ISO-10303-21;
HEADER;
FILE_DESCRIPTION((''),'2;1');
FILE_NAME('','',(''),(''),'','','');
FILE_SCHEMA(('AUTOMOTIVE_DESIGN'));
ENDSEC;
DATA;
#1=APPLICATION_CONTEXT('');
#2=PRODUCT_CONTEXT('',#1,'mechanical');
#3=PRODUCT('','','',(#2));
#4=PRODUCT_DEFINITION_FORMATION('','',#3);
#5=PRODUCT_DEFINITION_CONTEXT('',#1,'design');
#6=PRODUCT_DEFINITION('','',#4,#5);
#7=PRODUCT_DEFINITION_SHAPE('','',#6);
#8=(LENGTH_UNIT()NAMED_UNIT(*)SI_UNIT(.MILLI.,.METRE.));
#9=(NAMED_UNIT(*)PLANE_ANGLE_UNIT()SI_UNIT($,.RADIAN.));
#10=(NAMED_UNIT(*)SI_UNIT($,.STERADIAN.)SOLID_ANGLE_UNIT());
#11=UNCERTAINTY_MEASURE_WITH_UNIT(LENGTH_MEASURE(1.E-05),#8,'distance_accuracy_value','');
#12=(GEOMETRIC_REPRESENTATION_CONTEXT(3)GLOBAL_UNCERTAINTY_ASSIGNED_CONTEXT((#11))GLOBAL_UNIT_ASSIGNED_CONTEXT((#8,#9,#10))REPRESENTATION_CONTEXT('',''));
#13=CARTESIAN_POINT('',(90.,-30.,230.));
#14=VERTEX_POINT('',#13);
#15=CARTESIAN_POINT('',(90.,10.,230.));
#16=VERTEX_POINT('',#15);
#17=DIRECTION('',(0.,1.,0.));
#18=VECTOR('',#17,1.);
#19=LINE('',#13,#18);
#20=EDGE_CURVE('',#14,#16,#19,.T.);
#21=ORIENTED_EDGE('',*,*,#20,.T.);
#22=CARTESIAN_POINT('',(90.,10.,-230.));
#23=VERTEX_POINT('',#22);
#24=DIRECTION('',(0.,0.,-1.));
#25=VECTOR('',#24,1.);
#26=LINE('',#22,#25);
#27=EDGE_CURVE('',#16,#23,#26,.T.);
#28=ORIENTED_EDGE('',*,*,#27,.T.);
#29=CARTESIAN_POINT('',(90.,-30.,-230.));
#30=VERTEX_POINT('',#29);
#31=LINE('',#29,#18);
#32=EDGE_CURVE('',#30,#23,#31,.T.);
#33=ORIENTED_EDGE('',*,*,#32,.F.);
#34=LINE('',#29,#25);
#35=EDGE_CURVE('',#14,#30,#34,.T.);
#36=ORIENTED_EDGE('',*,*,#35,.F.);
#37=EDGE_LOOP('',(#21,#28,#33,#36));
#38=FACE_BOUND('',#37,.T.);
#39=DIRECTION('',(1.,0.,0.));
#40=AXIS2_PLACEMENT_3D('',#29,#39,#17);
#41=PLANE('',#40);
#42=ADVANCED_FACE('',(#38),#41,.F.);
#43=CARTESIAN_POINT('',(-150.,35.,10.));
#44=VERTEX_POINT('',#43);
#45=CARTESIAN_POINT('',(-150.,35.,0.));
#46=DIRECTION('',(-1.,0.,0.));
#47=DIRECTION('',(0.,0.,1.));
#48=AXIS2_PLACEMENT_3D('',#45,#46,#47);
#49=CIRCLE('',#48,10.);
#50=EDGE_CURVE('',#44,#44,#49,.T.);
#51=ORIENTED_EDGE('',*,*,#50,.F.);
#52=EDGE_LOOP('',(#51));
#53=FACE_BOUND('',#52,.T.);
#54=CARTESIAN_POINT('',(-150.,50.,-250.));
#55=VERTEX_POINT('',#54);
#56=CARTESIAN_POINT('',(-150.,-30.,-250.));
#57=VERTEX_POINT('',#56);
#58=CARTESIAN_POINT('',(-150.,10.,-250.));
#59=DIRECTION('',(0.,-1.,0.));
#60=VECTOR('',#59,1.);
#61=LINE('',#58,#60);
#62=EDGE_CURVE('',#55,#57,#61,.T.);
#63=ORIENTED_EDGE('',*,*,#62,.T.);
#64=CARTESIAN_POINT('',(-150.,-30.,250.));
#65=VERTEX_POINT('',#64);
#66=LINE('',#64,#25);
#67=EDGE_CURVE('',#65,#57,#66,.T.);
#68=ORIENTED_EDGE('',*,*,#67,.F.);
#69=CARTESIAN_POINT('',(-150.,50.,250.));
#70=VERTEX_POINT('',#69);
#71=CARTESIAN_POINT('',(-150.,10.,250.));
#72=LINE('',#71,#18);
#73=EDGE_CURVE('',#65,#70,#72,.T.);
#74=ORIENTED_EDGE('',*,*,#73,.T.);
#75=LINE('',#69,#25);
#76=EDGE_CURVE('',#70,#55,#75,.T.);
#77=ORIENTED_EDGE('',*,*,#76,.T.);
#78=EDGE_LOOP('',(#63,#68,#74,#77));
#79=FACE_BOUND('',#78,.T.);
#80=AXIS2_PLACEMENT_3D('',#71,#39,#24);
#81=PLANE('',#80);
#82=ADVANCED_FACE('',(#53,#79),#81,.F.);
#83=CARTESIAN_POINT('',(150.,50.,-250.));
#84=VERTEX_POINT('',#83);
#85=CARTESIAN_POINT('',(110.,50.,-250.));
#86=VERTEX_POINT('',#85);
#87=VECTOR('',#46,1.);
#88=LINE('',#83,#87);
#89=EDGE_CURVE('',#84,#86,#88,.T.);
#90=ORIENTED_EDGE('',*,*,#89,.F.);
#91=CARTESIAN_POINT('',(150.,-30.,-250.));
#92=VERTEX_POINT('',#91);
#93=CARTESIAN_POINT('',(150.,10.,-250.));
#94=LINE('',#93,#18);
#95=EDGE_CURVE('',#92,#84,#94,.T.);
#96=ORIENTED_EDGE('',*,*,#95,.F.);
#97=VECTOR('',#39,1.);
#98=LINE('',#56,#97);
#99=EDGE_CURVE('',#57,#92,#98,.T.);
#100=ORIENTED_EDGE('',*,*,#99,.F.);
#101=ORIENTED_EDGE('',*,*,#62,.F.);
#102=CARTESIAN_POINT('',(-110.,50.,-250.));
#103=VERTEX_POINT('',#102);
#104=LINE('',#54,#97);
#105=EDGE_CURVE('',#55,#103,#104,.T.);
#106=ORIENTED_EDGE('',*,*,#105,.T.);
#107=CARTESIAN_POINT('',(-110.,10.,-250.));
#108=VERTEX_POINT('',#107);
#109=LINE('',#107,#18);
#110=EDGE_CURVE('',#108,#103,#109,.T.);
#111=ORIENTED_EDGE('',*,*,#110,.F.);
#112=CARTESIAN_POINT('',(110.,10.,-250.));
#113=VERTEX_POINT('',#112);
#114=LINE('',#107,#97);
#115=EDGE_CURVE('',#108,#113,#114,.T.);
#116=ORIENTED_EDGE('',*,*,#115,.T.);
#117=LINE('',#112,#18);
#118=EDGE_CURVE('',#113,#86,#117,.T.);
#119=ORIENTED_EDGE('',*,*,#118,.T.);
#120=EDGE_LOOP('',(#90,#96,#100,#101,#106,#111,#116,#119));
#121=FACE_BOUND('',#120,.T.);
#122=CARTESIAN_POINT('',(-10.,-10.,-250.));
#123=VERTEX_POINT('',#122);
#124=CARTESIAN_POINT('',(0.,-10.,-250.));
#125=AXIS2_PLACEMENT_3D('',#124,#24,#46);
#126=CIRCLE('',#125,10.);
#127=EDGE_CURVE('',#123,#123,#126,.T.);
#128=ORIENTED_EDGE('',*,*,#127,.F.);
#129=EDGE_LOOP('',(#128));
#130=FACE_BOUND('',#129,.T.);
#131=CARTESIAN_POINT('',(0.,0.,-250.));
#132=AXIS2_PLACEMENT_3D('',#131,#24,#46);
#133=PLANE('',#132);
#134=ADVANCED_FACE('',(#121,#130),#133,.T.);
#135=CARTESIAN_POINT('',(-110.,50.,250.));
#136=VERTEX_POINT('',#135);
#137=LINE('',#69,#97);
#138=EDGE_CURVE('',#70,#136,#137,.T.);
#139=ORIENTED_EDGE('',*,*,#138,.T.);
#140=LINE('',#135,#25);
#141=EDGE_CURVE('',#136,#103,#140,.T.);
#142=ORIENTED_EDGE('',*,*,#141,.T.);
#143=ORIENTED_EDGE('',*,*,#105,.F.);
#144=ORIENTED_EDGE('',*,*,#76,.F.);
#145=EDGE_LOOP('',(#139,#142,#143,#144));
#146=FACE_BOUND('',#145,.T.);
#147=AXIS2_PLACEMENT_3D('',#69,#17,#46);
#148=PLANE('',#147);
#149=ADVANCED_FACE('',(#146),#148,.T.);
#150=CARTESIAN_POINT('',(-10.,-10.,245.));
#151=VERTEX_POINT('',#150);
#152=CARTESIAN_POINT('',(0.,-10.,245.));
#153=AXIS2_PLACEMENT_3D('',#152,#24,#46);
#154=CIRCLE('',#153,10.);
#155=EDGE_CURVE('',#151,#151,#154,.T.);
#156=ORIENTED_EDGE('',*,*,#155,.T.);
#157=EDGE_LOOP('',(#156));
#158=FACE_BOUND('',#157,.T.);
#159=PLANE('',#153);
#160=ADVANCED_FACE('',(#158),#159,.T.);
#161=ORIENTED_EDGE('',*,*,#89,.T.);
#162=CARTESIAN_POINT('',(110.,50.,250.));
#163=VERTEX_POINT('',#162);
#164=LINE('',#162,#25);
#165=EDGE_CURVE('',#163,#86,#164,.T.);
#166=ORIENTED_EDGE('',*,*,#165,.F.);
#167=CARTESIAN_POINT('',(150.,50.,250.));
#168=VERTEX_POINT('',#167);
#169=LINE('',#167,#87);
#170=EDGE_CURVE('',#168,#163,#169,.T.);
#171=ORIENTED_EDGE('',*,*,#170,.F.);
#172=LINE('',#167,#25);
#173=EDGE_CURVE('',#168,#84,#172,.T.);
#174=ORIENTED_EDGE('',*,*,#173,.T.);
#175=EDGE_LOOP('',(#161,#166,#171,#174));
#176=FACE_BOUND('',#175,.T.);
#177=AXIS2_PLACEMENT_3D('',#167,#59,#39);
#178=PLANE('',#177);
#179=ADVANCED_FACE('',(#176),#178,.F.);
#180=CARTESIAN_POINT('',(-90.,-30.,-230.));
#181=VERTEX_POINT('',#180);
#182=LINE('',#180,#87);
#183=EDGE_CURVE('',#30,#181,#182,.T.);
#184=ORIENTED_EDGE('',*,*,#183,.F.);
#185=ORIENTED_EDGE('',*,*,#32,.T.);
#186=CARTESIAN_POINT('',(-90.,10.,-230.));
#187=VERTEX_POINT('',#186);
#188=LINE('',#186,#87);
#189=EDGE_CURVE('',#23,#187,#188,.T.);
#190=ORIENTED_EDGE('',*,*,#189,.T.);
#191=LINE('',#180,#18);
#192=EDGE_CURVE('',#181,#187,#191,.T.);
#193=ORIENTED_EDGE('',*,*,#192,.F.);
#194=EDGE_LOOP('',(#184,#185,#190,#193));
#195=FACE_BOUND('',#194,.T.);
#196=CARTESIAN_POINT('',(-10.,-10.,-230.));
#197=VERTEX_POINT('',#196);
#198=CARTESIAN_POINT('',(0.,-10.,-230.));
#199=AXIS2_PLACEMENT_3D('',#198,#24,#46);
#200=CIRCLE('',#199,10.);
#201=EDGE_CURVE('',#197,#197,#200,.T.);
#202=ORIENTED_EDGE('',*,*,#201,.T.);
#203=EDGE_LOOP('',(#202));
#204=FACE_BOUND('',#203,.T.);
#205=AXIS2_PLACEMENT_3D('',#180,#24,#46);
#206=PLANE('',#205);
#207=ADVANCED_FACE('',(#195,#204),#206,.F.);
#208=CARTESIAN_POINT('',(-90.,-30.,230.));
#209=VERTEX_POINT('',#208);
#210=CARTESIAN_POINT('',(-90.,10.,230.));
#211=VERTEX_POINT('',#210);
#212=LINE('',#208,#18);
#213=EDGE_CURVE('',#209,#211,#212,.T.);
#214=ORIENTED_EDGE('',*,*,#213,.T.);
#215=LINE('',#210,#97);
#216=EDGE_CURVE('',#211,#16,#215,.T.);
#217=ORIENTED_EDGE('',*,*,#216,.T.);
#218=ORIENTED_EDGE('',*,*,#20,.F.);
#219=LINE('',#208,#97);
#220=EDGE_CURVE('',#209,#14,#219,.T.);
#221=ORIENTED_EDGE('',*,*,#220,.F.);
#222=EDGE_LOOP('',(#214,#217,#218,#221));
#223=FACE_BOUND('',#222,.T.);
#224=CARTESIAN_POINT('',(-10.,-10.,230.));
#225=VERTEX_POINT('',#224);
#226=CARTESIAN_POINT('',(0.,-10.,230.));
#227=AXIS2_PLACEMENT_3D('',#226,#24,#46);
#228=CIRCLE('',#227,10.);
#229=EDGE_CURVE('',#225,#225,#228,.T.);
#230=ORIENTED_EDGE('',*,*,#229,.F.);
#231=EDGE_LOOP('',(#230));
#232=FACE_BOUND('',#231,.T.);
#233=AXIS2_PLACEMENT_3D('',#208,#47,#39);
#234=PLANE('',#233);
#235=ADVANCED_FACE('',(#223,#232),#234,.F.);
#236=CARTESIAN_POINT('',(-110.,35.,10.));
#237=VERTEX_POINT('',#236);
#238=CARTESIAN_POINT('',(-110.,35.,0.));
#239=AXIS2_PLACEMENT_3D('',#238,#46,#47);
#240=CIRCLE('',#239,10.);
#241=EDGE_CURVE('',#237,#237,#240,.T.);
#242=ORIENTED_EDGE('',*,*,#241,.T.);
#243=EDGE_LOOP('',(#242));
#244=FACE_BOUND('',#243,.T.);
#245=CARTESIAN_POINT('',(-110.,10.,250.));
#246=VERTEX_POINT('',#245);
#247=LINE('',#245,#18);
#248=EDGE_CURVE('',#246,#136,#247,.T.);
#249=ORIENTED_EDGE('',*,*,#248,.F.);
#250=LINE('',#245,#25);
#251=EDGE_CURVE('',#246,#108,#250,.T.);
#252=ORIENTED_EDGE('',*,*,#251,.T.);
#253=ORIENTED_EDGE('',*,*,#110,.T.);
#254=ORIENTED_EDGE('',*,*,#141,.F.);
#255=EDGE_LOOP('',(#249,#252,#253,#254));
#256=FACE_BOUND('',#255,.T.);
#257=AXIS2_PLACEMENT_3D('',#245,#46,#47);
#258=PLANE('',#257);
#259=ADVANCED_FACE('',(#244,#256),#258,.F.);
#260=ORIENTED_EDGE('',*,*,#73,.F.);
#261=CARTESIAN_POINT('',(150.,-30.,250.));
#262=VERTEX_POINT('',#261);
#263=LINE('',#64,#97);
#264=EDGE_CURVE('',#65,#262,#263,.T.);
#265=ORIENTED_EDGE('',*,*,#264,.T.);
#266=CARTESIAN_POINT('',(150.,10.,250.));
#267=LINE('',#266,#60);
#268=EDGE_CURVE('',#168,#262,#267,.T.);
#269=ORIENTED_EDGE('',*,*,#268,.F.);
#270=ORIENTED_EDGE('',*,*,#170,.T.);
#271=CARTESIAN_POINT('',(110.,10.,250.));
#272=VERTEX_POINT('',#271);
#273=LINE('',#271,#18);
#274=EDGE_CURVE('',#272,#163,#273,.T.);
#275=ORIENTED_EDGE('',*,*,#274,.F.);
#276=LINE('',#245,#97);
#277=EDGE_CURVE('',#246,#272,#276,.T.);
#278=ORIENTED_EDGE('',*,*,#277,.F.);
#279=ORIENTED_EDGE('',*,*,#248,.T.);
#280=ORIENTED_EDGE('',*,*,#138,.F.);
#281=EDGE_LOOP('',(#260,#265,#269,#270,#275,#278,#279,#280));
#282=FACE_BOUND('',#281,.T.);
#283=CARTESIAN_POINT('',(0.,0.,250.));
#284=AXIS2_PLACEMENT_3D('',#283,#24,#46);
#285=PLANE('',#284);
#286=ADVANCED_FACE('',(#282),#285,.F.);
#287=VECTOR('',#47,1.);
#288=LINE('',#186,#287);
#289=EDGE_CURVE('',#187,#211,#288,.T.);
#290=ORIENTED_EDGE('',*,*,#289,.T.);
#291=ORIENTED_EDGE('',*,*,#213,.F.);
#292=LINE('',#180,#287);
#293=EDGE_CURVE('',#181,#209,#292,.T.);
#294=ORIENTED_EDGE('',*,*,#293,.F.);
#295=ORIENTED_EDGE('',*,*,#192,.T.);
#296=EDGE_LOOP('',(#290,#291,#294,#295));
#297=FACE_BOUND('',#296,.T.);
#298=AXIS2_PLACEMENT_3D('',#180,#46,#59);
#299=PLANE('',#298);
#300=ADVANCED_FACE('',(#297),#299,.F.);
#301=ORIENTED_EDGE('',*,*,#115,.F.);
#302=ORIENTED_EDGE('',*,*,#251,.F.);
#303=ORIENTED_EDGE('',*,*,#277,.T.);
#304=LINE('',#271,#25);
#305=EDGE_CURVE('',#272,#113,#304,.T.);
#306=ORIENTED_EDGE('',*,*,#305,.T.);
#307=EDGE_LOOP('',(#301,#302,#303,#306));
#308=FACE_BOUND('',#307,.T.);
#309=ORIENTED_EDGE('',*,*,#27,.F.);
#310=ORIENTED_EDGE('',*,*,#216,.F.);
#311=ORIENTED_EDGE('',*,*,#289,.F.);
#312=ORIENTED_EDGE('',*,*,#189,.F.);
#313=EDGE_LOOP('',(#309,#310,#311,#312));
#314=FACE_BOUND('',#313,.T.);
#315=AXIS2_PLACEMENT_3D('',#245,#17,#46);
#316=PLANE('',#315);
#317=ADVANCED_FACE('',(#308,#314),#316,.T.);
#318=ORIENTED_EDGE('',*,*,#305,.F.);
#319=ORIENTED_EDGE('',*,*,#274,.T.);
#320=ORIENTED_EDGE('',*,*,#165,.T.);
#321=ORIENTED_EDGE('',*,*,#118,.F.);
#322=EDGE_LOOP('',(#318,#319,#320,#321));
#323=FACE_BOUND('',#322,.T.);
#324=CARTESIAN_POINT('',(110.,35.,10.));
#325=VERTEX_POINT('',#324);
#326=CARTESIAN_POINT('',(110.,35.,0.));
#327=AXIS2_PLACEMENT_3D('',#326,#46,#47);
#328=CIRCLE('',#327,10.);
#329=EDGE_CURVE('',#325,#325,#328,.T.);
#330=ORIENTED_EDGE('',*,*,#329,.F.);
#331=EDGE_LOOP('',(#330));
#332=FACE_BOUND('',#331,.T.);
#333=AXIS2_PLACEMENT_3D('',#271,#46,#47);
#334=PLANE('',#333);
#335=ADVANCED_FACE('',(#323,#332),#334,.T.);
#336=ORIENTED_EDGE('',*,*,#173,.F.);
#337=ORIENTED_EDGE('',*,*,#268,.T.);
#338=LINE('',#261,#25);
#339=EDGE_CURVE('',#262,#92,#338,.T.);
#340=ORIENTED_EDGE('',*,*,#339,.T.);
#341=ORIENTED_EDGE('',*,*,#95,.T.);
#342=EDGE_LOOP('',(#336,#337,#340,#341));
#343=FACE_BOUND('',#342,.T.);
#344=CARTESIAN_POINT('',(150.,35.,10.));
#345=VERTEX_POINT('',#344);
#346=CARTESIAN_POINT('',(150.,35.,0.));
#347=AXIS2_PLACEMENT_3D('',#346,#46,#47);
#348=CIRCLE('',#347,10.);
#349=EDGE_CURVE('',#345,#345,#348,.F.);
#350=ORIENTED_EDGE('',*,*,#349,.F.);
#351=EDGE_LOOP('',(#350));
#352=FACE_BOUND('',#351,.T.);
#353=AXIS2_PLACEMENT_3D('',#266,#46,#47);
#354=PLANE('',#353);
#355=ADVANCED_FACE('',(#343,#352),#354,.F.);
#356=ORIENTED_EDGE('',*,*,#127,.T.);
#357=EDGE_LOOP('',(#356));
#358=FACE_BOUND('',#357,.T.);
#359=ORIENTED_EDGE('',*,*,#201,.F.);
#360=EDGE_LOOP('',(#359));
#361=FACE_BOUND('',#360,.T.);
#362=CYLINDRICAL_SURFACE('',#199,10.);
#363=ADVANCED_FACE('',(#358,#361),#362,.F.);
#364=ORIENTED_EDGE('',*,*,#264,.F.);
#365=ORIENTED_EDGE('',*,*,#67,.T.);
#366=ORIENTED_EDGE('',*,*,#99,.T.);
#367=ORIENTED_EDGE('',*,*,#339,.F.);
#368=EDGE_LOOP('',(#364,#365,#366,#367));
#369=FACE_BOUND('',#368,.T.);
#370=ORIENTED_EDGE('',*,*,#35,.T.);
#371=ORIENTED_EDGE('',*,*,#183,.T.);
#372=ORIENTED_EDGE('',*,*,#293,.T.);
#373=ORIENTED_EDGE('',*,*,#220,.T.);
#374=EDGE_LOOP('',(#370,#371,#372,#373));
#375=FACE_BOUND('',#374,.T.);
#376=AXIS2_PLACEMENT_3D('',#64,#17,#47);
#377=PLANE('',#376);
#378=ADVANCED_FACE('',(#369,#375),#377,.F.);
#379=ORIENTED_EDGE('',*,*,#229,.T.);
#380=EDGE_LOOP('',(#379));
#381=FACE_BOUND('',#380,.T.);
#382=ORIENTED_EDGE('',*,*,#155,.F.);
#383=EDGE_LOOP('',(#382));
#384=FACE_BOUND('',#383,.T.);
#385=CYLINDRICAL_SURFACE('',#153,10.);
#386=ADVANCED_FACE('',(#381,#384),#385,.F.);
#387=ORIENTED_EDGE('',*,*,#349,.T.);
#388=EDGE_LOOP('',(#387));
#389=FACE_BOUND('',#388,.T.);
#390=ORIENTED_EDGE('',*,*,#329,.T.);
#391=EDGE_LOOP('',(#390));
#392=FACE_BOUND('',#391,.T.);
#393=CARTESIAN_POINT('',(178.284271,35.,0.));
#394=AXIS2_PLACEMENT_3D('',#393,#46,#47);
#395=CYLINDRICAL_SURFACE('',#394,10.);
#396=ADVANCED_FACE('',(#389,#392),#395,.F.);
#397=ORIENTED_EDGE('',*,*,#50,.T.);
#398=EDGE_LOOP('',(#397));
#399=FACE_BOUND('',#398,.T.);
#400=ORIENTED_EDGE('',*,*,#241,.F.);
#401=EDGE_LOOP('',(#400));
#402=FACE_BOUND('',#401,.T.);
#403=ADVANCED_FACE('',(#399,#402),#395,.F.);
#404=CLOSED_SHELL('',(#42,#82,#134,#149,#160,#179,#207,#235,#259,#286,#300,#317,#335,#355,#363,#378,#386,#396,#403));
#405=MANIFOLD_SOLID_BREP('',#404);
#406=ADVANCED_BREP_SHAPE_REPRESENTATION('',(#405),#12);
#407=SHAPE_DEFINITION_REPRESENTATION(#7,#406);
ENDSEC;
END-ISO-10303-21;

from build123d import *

# Parameters (mm, degrees)
BOSS_EXTRUDE1_DEPTH = 250
SKETCH2_W           = 180
SKETCH2_H           = 460
CUT_EXTRUDE1_DEPTH  = 41
SKETCH5_R           = 10
CUT_EXTRUDE5_DEPTH  = 15
SKETCH6_R           = 10
CUT_EXTRUDE6_DEPTH  = 20
SKETCH7_R           = 10
CUT_EXTRUDE7_DEPTH  = 300


with BuildPart() as part:
    # Sketch1 → Boss-Extrude1 (new body, symmetric)
    with BuildSketch(Plane.XY):
        Polygon((-110, 10), (110, 10), (110, 50), (150, 50), (150, 10), (150, -30), (-150, -30), (-150, 10), (-150, 50), (-110, 50), align=None)
    extrude(amount=BOSS_EXTRUDE1_DEPTH, both=True)

    # Sketch2 → Cut-Extrude1 (cut, through all)
    with BuildSketch(Plane(origin=(0, 10, 0), x_dir=(1, 0, 0), z_dir=(0, 1, 0))):
        Rectangle(SKETCH2_W, SKETCH2_H)
    extrude(amount=-CUT_EXTRUDE1_DEPTH, mode=Mode.SUBTRACT)

    # Sketch5 → Cut-Extrude5 (cut)
    with BuildSketch(Plane(origin=(0, 0, 230), x_dir=(-1, 0, 0), z_dir=(0, 0, -1))):
        with Locations((0, -10)):
            Circle(SKETCH5_R)
    extrude(amount=-CUT_EXTRUDE5_DEPTH, mode=Mode.SUBTRACT)

    # Sketch6 → Cut-Extrude6 (cut)
    with BuildSketch(Plane(origin=(0, 0, -250), x_dir=(-1, 0, 0), z_dir=(0, 0, -1))):
        with Locations((0, -10)):
            Circle(SKETCH6_R)
    extrude(amount=-CUT_EXTRUDE6_DEPTH, mode=Mode.SUBTRACT)

    # Sketch7 → Cut-Extrude7 (cut)
    with BuildSketch(Plane.ZY.offset(150)):
        with Locations((0, 35)):
            Circle(SKETCH7_R)
    extrude(amount=-CUT_EXTRUDE7_DEPTH, mode=Mode.SUBTRACT)


solid = part.part
